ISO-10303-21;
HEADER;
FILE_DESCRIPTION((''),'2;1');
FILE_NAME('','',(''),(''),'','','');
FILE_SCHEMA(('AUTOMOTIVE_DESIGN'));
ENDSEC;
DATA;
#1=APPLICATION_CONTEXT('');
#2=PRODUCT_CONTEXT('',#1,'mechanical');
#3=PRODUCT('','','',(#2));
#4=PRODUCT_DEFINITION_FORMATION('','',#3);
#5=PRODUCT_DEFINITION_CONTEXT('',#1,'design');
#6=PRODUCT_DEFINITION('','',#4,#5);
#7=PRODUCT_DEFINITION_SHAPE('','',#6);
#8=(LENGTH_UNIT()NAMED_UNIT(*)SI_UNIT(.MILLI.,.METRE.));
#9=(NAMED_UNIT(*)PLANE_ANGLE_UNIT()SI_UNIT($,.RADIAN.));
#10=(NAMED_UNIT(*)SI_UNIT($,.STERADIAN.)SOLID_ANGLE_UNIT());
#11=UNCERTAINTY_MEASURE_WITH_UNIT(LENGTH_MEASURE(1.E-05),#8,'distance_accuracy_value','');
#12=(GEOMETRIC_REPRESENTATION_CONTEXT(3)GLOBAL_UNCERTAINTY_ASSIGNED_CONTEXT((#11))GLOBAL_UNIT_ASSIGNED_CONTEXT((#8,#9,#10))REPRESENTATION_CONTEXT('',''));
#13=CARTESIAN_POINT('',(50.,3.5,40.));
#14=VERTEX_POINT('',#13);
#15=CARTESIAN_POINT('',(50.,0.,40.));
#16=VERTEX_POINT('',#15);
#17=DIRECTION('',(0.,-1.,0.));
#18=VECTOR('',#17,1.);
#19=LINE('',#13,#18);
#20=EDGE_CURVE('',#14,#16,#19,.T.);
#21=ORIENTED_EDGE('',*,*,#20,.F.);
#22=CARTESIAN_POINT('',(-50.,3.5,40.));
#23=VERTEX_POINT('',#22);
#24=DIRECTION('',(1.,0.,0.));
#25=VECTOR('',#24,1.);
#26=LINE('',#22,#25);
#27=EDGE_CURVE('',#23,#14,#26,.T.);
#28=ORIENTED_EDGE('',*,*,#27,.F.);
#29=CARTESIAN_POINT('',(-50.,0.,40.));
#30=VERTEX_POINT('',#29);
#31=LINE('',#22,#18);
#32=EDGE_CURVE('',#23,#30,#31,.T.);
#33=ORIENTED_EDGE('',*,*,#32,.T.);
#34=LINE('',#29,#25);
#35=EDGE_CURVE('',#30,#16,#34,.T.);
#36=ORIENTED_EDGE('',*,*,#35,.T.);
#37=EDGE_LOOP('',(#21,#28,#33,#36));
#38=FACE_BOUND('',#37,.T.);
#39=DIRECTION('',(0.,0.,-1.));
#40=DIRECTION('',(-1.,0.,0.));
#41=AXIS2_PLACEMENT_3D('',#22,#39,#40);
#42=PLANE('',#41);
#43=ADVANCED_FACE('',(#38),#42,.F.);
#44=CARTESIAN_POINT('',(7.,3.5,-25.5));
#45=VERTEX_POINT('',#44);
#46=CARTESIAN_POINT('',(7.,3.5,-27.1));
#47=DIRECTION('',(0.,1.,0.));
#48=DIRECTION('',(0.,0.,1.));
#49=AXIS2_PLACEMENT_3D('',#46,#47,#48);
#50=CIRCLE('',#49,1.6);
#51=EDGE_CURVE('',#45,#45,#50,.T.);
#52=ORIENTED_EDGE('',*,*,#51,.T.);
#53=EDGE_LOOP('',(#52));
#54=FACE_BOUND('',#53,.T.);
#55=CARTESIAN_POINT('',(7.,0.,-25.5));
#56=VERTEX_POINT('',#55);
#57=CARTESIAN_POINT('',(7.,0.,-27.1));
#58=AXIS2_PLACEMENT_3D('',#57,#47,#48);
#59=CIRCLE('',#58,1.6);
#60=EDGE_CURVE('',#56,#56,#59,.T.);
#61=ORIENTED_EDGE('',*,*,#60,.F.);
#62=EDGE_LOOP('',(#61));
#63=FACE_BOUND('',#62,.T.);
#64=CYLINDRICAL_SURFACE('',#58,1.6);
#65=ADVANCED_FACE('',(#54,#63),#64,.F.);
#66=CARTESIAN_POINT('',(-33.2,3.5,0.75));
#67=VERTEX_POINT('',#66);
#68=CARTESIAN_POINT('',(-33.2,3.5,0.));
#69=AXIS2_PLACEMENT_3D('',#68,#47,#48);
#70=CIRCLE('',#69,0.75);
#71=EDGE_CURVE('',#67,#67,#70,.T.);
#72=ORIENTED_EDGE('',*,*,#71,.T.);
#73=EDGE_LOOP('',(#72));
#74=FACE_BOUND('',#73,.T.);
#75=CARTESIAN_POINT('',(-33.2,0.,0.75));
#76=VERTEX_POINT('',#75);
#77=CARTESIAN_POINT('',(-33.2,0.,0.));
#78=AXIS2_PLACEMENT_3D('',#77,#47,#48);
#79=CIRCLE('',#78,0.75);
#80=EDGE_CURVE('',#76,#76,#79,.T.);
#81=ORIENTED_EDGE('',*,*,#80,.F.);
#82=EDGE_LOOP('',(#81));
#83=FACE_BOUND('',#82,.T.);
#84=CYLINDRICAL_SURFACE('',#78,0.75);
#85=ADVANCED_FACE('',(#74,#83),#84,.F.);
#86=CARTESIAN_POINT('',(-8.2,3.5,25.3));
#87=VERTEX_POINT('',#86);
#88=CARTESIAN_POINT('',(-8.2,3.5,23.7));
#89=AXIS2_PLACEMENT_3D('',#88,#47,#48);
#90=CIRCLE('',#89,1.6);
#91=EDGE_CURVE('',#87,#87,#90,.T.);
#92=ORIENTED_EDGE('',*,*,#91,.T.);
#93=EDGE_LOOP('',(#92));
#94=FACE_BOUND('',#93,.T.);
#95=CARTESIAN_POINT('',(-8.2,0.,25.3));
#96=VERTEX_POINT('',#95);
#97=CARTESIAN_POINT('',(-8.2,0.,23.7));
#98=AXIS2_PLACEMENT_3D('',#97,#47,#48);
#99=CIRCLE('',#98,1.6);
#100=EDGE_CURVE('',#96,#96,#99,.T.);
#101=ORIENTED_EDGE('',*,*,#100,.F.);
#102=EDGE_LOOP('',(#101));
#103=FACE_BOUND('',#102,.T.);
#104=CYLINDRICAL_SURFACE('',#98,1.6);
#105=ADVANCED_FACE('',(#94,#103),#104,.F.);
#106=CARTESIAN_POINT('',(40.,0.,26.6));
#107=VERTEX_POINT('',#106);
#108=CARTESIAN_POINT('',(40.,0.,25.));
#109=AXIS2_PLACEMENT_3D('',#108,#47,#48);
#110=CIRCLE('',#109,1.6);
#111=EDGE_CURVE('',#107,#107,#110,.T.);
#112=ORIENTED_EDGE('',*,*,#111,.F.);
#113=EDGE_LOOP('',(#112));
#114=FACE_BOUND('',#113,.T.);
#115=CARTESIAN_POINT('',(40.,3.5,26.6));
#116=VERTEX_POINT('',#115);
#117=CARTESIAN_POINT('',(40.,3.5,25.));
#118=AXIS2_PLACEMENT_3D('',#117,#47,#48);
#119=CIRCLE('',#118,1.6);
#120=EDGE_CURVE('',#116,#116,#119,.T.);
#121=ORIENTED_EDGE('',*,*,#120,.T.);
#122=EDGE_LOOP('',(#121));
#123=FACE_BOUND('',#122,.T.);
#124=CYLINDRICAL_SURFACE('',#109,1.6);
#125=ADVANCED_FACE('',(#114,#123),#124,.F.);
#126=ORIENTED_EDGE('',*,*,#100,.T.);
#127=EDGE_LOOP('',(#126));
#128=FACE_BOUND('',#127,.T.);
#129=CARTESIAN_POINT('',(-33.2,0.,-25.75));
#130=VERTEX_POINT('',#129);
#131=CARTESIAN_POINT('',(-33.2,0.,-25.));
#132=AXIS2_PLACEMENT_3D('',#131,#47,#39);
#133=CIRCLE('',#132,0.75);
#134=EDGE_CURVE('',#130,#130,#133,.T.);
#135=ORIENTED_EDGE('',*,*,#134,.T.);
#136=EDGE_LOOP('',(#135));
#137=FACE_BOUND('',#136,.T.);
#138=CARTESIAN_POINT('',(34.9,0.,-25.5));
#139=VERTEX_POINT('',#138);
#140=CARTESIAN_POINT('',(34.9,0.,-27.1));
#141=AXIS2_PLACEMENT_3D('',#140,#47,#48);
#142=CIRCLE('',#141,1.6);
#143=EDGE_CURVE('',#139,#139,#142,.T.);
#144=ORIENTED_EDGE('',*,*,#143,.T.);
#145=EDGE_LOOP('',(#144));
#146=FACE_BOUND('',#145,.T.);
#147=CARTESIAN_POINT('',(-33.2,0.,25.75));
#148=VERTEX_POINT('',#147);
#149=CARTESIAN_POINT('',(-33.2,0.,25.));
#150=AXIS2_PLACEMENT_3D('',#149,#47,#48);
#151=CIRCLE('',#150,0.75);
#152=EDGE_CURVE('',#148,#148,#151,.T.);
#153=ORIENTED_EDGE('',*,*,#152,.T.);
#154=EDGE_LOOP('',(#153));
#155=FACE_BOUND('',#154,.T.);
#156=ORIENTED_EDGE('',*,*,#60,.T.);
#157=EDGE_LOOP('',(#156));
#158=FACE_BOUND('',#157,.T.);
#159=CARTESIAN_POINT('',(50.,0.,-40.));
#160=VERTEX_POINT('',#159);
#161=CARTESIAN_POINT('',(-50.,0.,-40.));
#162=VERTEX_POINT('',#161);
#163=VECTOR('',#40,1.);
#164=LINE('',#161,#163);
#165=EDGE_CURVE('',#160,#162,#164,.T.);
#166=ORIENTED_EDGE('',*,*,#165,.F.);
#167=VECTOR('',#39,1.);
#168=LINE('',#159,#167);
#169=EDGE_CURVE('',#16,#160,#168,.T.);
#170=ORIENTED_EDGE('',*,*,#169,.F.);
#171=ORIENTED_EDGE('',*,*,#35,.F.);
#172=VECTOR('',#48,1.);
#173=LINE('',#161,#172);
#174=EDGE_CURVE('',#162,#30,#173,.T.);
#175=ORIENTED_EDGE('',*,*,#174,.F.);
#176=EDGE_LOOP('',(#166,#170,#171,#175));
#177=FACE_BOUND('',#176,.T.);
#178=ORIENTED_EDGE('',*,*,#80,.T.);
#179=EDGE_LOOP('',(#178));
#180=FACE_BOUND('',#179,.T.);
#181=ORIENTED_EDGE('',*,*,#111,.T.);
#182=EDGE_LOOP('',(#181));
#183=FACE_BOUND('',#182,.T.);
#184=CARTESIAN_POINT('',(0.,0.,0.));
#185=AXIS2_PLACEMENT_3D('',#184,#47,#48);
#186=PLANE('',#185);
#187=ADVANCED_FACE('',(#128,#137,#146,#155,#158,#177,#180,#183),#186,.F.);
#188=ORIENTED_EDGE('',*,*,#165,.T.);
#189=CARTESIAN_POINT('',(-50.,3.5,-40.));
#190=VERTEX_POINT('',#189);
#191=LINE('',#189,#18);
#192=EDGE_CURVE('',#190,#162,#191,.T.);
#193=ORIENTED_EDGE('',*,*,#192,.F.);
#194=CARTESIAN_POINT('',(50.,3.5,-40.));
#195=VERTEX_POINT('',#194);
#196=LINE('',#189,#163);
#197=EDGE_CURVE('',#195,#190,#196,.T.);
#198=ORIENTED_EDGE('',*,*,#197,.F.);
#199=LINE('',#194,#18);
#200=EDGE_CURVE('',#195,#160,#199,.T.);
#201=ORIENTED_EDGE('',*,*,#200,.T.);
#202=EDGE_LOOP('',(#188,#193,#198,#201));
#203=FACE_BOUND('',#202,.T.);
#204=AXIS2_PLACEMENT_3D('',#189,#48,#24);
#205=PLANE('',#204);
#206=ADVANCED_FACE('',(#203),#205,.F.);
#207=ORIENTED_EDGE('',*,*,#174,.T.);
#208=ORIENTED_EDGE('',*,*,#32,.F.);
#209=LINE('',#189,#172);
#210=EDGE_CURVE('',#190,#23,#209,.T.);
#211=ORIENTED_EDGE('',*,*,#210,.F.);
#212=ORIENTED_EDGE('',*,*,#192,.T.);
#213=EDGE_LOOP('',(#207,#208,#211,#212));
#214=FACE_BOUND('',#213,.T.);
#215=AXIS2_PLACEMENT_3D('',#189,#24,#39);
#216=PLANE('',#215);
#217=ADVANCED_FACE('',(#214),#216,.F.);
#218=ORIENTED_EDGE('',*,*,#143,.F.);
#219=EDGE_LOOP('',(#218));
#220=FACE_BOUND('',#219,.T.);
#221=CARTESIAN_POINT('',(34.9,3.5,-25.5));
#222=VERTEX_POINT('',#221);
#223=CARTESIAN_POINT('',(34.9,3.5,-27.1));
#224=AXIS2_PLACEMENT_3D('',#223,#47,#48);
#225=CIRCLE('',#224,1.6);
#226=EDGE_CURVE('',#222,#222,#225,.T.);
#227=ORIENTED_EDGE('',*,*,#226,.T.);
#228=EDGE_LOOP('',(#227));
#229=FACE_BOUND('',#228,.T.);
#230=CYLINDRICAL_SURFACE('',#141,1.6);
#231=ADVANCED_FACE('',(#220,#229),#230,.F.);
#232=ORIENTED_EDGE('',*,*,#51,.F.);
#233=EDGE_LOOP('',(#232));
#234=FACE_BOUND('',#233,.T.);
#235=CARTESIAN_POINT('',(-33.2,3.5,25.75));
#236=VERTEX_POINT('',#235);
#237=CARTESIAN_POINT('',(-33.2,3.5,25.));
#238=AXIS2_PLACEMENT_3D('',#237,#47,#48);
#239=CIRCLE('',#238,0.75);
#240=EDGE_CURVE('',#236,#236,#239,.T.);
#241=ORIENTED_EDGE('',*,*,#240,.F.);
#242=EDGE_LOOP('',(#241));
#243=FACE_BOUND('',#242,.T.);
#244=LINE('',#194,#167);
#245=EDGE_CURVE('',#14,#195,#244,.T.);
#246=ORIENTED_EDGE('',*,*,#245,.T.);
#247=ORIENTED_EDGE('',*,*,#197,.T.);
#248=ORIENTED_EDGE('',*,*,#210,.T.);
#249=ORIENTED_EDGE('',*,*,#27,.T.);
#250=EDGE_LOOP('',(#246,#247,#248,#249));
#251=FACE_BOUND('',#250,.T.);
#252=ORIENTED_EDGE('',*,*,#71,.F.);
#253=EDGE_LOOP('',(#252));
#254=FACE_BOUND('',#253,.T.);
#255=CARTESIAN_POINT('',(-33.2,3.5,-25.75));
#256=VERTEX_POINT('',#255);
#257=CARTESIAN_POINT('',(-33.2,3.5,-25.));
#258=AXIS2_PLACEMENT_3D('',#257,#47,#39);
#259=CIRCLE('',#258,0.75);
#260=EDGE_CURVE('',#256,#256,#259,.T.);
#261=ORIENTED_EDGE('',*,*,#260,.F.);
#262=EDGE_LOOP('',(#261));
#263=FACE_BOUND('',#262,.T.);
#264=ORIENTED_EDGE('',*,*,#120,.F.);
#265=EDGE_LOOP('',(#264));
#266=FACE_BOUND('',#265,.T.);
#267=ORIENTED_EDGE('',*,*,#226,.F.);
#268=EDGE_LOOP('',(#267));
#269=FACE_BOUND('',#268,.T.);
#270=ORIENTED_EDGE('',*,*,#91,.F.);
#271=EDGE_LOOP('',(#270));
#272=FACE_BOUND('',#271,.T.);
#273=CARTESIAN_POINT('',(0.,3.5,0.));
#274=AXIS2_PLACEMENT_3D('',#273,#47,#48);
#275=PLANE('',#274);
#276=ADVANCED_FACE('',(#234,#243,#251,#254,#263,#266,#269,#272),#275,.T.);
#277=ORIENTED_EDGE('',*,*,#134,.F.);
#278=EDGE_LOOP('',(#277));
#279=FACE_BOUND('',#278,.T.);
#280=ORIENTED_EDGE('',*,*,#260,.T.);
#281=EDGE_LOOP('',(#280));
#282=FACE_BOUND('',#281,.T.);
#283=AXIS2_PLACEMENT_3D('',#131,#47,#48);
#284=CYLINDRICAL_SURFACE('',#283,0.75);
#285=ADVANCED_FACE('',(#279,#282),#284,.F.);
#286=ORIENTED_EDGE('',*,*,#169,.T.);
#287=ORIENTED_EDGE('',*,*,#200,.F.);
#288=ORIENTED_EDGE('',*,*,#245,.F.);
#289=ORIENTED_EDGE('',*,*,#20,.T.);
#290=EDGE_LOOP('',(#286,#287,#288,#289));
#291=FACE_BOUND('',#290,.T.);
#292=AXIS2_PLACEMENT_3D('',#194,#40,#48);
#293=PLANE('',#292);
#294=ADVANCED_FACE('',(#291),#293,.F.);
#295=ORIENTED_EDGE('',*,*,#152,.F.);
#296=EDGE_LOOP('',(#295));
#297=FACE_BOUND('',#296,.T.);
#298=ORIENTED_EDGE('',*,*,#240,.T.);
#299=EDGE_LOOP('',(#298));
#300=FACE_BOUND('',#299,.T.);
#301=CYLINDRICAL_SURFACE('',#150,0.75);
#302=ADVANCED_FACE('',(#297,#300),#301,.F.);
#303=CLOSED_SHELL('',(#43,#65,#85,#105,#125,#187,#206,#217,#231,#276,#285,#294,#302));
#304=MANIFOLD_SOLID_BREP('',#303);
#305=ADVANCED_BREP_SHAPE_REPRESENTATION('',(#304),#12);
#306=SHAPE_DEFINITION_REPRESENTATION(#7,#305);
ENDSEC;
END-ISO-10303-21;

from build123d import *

# Parameters (mm, degrees)
SKETCH1_W           = 100
SKETCH1_H           = 80
BOSS_EXTRUDE1_DEPTH = 3.5
SKETCH2_R           = 1.6
SKETCH2_R_2         = 0.75
CUT_EXTRUDE1_DEPTH  = 65.126827459


with BuildPart() as part:
    # Sketch1 → Boss-Extrude1 (new body)
    with BuildSketch(Plane(origin=(0, 0, 0), x_dir=(1, 0, 0), z_dir=(0, 1, 0))):
        Rectangle(SKETCH1_W, SKETCH1_H)
    extrude(amount=BOSS_EXTRUDE1_DEPTH)

    # Sketch2 → Cut-Extrude1 (cut, through all)
    with BuildSketch(Plane(origin=(0, 3.5, 0), x_dir=(1, 0, 0), z_dir=(0, 1, 0))):
        with Locations(Location((40, -25, 0), (0, 0, 270))):
            Circle(SKETCH2_R)
        with Locations(Location((-8.2, -23.7, 0), (0, 0, 270))):
            Circle(SKETCH2_R)
        with Locations(Location((7, 27.1, 0), (0, 0, 270))):
            Circle(SKETCH2_R)
        with Locations(Location((34.9, 27.1, 0), (0, 0, 270))):
            Circle(SKETCH2_R)
        with Locations(Location((-33.2, -25, 0), (0, 0, 270))):
            Circle(SKETCH2_R_2)
        with Locations(Location((-33.2, 25, 0), (0, 0, 90))):
            Circle(SKETCH2_R_2)
        with Locations(Location((-33.2, 0, 0), (0, 0, 270))):
            Circle(SKETCH2_R_2)
    extrude(amount=-CUT_EXTRUDE1_DEPTH, mode=Mode.SUBTRACT)


solid = part.part
